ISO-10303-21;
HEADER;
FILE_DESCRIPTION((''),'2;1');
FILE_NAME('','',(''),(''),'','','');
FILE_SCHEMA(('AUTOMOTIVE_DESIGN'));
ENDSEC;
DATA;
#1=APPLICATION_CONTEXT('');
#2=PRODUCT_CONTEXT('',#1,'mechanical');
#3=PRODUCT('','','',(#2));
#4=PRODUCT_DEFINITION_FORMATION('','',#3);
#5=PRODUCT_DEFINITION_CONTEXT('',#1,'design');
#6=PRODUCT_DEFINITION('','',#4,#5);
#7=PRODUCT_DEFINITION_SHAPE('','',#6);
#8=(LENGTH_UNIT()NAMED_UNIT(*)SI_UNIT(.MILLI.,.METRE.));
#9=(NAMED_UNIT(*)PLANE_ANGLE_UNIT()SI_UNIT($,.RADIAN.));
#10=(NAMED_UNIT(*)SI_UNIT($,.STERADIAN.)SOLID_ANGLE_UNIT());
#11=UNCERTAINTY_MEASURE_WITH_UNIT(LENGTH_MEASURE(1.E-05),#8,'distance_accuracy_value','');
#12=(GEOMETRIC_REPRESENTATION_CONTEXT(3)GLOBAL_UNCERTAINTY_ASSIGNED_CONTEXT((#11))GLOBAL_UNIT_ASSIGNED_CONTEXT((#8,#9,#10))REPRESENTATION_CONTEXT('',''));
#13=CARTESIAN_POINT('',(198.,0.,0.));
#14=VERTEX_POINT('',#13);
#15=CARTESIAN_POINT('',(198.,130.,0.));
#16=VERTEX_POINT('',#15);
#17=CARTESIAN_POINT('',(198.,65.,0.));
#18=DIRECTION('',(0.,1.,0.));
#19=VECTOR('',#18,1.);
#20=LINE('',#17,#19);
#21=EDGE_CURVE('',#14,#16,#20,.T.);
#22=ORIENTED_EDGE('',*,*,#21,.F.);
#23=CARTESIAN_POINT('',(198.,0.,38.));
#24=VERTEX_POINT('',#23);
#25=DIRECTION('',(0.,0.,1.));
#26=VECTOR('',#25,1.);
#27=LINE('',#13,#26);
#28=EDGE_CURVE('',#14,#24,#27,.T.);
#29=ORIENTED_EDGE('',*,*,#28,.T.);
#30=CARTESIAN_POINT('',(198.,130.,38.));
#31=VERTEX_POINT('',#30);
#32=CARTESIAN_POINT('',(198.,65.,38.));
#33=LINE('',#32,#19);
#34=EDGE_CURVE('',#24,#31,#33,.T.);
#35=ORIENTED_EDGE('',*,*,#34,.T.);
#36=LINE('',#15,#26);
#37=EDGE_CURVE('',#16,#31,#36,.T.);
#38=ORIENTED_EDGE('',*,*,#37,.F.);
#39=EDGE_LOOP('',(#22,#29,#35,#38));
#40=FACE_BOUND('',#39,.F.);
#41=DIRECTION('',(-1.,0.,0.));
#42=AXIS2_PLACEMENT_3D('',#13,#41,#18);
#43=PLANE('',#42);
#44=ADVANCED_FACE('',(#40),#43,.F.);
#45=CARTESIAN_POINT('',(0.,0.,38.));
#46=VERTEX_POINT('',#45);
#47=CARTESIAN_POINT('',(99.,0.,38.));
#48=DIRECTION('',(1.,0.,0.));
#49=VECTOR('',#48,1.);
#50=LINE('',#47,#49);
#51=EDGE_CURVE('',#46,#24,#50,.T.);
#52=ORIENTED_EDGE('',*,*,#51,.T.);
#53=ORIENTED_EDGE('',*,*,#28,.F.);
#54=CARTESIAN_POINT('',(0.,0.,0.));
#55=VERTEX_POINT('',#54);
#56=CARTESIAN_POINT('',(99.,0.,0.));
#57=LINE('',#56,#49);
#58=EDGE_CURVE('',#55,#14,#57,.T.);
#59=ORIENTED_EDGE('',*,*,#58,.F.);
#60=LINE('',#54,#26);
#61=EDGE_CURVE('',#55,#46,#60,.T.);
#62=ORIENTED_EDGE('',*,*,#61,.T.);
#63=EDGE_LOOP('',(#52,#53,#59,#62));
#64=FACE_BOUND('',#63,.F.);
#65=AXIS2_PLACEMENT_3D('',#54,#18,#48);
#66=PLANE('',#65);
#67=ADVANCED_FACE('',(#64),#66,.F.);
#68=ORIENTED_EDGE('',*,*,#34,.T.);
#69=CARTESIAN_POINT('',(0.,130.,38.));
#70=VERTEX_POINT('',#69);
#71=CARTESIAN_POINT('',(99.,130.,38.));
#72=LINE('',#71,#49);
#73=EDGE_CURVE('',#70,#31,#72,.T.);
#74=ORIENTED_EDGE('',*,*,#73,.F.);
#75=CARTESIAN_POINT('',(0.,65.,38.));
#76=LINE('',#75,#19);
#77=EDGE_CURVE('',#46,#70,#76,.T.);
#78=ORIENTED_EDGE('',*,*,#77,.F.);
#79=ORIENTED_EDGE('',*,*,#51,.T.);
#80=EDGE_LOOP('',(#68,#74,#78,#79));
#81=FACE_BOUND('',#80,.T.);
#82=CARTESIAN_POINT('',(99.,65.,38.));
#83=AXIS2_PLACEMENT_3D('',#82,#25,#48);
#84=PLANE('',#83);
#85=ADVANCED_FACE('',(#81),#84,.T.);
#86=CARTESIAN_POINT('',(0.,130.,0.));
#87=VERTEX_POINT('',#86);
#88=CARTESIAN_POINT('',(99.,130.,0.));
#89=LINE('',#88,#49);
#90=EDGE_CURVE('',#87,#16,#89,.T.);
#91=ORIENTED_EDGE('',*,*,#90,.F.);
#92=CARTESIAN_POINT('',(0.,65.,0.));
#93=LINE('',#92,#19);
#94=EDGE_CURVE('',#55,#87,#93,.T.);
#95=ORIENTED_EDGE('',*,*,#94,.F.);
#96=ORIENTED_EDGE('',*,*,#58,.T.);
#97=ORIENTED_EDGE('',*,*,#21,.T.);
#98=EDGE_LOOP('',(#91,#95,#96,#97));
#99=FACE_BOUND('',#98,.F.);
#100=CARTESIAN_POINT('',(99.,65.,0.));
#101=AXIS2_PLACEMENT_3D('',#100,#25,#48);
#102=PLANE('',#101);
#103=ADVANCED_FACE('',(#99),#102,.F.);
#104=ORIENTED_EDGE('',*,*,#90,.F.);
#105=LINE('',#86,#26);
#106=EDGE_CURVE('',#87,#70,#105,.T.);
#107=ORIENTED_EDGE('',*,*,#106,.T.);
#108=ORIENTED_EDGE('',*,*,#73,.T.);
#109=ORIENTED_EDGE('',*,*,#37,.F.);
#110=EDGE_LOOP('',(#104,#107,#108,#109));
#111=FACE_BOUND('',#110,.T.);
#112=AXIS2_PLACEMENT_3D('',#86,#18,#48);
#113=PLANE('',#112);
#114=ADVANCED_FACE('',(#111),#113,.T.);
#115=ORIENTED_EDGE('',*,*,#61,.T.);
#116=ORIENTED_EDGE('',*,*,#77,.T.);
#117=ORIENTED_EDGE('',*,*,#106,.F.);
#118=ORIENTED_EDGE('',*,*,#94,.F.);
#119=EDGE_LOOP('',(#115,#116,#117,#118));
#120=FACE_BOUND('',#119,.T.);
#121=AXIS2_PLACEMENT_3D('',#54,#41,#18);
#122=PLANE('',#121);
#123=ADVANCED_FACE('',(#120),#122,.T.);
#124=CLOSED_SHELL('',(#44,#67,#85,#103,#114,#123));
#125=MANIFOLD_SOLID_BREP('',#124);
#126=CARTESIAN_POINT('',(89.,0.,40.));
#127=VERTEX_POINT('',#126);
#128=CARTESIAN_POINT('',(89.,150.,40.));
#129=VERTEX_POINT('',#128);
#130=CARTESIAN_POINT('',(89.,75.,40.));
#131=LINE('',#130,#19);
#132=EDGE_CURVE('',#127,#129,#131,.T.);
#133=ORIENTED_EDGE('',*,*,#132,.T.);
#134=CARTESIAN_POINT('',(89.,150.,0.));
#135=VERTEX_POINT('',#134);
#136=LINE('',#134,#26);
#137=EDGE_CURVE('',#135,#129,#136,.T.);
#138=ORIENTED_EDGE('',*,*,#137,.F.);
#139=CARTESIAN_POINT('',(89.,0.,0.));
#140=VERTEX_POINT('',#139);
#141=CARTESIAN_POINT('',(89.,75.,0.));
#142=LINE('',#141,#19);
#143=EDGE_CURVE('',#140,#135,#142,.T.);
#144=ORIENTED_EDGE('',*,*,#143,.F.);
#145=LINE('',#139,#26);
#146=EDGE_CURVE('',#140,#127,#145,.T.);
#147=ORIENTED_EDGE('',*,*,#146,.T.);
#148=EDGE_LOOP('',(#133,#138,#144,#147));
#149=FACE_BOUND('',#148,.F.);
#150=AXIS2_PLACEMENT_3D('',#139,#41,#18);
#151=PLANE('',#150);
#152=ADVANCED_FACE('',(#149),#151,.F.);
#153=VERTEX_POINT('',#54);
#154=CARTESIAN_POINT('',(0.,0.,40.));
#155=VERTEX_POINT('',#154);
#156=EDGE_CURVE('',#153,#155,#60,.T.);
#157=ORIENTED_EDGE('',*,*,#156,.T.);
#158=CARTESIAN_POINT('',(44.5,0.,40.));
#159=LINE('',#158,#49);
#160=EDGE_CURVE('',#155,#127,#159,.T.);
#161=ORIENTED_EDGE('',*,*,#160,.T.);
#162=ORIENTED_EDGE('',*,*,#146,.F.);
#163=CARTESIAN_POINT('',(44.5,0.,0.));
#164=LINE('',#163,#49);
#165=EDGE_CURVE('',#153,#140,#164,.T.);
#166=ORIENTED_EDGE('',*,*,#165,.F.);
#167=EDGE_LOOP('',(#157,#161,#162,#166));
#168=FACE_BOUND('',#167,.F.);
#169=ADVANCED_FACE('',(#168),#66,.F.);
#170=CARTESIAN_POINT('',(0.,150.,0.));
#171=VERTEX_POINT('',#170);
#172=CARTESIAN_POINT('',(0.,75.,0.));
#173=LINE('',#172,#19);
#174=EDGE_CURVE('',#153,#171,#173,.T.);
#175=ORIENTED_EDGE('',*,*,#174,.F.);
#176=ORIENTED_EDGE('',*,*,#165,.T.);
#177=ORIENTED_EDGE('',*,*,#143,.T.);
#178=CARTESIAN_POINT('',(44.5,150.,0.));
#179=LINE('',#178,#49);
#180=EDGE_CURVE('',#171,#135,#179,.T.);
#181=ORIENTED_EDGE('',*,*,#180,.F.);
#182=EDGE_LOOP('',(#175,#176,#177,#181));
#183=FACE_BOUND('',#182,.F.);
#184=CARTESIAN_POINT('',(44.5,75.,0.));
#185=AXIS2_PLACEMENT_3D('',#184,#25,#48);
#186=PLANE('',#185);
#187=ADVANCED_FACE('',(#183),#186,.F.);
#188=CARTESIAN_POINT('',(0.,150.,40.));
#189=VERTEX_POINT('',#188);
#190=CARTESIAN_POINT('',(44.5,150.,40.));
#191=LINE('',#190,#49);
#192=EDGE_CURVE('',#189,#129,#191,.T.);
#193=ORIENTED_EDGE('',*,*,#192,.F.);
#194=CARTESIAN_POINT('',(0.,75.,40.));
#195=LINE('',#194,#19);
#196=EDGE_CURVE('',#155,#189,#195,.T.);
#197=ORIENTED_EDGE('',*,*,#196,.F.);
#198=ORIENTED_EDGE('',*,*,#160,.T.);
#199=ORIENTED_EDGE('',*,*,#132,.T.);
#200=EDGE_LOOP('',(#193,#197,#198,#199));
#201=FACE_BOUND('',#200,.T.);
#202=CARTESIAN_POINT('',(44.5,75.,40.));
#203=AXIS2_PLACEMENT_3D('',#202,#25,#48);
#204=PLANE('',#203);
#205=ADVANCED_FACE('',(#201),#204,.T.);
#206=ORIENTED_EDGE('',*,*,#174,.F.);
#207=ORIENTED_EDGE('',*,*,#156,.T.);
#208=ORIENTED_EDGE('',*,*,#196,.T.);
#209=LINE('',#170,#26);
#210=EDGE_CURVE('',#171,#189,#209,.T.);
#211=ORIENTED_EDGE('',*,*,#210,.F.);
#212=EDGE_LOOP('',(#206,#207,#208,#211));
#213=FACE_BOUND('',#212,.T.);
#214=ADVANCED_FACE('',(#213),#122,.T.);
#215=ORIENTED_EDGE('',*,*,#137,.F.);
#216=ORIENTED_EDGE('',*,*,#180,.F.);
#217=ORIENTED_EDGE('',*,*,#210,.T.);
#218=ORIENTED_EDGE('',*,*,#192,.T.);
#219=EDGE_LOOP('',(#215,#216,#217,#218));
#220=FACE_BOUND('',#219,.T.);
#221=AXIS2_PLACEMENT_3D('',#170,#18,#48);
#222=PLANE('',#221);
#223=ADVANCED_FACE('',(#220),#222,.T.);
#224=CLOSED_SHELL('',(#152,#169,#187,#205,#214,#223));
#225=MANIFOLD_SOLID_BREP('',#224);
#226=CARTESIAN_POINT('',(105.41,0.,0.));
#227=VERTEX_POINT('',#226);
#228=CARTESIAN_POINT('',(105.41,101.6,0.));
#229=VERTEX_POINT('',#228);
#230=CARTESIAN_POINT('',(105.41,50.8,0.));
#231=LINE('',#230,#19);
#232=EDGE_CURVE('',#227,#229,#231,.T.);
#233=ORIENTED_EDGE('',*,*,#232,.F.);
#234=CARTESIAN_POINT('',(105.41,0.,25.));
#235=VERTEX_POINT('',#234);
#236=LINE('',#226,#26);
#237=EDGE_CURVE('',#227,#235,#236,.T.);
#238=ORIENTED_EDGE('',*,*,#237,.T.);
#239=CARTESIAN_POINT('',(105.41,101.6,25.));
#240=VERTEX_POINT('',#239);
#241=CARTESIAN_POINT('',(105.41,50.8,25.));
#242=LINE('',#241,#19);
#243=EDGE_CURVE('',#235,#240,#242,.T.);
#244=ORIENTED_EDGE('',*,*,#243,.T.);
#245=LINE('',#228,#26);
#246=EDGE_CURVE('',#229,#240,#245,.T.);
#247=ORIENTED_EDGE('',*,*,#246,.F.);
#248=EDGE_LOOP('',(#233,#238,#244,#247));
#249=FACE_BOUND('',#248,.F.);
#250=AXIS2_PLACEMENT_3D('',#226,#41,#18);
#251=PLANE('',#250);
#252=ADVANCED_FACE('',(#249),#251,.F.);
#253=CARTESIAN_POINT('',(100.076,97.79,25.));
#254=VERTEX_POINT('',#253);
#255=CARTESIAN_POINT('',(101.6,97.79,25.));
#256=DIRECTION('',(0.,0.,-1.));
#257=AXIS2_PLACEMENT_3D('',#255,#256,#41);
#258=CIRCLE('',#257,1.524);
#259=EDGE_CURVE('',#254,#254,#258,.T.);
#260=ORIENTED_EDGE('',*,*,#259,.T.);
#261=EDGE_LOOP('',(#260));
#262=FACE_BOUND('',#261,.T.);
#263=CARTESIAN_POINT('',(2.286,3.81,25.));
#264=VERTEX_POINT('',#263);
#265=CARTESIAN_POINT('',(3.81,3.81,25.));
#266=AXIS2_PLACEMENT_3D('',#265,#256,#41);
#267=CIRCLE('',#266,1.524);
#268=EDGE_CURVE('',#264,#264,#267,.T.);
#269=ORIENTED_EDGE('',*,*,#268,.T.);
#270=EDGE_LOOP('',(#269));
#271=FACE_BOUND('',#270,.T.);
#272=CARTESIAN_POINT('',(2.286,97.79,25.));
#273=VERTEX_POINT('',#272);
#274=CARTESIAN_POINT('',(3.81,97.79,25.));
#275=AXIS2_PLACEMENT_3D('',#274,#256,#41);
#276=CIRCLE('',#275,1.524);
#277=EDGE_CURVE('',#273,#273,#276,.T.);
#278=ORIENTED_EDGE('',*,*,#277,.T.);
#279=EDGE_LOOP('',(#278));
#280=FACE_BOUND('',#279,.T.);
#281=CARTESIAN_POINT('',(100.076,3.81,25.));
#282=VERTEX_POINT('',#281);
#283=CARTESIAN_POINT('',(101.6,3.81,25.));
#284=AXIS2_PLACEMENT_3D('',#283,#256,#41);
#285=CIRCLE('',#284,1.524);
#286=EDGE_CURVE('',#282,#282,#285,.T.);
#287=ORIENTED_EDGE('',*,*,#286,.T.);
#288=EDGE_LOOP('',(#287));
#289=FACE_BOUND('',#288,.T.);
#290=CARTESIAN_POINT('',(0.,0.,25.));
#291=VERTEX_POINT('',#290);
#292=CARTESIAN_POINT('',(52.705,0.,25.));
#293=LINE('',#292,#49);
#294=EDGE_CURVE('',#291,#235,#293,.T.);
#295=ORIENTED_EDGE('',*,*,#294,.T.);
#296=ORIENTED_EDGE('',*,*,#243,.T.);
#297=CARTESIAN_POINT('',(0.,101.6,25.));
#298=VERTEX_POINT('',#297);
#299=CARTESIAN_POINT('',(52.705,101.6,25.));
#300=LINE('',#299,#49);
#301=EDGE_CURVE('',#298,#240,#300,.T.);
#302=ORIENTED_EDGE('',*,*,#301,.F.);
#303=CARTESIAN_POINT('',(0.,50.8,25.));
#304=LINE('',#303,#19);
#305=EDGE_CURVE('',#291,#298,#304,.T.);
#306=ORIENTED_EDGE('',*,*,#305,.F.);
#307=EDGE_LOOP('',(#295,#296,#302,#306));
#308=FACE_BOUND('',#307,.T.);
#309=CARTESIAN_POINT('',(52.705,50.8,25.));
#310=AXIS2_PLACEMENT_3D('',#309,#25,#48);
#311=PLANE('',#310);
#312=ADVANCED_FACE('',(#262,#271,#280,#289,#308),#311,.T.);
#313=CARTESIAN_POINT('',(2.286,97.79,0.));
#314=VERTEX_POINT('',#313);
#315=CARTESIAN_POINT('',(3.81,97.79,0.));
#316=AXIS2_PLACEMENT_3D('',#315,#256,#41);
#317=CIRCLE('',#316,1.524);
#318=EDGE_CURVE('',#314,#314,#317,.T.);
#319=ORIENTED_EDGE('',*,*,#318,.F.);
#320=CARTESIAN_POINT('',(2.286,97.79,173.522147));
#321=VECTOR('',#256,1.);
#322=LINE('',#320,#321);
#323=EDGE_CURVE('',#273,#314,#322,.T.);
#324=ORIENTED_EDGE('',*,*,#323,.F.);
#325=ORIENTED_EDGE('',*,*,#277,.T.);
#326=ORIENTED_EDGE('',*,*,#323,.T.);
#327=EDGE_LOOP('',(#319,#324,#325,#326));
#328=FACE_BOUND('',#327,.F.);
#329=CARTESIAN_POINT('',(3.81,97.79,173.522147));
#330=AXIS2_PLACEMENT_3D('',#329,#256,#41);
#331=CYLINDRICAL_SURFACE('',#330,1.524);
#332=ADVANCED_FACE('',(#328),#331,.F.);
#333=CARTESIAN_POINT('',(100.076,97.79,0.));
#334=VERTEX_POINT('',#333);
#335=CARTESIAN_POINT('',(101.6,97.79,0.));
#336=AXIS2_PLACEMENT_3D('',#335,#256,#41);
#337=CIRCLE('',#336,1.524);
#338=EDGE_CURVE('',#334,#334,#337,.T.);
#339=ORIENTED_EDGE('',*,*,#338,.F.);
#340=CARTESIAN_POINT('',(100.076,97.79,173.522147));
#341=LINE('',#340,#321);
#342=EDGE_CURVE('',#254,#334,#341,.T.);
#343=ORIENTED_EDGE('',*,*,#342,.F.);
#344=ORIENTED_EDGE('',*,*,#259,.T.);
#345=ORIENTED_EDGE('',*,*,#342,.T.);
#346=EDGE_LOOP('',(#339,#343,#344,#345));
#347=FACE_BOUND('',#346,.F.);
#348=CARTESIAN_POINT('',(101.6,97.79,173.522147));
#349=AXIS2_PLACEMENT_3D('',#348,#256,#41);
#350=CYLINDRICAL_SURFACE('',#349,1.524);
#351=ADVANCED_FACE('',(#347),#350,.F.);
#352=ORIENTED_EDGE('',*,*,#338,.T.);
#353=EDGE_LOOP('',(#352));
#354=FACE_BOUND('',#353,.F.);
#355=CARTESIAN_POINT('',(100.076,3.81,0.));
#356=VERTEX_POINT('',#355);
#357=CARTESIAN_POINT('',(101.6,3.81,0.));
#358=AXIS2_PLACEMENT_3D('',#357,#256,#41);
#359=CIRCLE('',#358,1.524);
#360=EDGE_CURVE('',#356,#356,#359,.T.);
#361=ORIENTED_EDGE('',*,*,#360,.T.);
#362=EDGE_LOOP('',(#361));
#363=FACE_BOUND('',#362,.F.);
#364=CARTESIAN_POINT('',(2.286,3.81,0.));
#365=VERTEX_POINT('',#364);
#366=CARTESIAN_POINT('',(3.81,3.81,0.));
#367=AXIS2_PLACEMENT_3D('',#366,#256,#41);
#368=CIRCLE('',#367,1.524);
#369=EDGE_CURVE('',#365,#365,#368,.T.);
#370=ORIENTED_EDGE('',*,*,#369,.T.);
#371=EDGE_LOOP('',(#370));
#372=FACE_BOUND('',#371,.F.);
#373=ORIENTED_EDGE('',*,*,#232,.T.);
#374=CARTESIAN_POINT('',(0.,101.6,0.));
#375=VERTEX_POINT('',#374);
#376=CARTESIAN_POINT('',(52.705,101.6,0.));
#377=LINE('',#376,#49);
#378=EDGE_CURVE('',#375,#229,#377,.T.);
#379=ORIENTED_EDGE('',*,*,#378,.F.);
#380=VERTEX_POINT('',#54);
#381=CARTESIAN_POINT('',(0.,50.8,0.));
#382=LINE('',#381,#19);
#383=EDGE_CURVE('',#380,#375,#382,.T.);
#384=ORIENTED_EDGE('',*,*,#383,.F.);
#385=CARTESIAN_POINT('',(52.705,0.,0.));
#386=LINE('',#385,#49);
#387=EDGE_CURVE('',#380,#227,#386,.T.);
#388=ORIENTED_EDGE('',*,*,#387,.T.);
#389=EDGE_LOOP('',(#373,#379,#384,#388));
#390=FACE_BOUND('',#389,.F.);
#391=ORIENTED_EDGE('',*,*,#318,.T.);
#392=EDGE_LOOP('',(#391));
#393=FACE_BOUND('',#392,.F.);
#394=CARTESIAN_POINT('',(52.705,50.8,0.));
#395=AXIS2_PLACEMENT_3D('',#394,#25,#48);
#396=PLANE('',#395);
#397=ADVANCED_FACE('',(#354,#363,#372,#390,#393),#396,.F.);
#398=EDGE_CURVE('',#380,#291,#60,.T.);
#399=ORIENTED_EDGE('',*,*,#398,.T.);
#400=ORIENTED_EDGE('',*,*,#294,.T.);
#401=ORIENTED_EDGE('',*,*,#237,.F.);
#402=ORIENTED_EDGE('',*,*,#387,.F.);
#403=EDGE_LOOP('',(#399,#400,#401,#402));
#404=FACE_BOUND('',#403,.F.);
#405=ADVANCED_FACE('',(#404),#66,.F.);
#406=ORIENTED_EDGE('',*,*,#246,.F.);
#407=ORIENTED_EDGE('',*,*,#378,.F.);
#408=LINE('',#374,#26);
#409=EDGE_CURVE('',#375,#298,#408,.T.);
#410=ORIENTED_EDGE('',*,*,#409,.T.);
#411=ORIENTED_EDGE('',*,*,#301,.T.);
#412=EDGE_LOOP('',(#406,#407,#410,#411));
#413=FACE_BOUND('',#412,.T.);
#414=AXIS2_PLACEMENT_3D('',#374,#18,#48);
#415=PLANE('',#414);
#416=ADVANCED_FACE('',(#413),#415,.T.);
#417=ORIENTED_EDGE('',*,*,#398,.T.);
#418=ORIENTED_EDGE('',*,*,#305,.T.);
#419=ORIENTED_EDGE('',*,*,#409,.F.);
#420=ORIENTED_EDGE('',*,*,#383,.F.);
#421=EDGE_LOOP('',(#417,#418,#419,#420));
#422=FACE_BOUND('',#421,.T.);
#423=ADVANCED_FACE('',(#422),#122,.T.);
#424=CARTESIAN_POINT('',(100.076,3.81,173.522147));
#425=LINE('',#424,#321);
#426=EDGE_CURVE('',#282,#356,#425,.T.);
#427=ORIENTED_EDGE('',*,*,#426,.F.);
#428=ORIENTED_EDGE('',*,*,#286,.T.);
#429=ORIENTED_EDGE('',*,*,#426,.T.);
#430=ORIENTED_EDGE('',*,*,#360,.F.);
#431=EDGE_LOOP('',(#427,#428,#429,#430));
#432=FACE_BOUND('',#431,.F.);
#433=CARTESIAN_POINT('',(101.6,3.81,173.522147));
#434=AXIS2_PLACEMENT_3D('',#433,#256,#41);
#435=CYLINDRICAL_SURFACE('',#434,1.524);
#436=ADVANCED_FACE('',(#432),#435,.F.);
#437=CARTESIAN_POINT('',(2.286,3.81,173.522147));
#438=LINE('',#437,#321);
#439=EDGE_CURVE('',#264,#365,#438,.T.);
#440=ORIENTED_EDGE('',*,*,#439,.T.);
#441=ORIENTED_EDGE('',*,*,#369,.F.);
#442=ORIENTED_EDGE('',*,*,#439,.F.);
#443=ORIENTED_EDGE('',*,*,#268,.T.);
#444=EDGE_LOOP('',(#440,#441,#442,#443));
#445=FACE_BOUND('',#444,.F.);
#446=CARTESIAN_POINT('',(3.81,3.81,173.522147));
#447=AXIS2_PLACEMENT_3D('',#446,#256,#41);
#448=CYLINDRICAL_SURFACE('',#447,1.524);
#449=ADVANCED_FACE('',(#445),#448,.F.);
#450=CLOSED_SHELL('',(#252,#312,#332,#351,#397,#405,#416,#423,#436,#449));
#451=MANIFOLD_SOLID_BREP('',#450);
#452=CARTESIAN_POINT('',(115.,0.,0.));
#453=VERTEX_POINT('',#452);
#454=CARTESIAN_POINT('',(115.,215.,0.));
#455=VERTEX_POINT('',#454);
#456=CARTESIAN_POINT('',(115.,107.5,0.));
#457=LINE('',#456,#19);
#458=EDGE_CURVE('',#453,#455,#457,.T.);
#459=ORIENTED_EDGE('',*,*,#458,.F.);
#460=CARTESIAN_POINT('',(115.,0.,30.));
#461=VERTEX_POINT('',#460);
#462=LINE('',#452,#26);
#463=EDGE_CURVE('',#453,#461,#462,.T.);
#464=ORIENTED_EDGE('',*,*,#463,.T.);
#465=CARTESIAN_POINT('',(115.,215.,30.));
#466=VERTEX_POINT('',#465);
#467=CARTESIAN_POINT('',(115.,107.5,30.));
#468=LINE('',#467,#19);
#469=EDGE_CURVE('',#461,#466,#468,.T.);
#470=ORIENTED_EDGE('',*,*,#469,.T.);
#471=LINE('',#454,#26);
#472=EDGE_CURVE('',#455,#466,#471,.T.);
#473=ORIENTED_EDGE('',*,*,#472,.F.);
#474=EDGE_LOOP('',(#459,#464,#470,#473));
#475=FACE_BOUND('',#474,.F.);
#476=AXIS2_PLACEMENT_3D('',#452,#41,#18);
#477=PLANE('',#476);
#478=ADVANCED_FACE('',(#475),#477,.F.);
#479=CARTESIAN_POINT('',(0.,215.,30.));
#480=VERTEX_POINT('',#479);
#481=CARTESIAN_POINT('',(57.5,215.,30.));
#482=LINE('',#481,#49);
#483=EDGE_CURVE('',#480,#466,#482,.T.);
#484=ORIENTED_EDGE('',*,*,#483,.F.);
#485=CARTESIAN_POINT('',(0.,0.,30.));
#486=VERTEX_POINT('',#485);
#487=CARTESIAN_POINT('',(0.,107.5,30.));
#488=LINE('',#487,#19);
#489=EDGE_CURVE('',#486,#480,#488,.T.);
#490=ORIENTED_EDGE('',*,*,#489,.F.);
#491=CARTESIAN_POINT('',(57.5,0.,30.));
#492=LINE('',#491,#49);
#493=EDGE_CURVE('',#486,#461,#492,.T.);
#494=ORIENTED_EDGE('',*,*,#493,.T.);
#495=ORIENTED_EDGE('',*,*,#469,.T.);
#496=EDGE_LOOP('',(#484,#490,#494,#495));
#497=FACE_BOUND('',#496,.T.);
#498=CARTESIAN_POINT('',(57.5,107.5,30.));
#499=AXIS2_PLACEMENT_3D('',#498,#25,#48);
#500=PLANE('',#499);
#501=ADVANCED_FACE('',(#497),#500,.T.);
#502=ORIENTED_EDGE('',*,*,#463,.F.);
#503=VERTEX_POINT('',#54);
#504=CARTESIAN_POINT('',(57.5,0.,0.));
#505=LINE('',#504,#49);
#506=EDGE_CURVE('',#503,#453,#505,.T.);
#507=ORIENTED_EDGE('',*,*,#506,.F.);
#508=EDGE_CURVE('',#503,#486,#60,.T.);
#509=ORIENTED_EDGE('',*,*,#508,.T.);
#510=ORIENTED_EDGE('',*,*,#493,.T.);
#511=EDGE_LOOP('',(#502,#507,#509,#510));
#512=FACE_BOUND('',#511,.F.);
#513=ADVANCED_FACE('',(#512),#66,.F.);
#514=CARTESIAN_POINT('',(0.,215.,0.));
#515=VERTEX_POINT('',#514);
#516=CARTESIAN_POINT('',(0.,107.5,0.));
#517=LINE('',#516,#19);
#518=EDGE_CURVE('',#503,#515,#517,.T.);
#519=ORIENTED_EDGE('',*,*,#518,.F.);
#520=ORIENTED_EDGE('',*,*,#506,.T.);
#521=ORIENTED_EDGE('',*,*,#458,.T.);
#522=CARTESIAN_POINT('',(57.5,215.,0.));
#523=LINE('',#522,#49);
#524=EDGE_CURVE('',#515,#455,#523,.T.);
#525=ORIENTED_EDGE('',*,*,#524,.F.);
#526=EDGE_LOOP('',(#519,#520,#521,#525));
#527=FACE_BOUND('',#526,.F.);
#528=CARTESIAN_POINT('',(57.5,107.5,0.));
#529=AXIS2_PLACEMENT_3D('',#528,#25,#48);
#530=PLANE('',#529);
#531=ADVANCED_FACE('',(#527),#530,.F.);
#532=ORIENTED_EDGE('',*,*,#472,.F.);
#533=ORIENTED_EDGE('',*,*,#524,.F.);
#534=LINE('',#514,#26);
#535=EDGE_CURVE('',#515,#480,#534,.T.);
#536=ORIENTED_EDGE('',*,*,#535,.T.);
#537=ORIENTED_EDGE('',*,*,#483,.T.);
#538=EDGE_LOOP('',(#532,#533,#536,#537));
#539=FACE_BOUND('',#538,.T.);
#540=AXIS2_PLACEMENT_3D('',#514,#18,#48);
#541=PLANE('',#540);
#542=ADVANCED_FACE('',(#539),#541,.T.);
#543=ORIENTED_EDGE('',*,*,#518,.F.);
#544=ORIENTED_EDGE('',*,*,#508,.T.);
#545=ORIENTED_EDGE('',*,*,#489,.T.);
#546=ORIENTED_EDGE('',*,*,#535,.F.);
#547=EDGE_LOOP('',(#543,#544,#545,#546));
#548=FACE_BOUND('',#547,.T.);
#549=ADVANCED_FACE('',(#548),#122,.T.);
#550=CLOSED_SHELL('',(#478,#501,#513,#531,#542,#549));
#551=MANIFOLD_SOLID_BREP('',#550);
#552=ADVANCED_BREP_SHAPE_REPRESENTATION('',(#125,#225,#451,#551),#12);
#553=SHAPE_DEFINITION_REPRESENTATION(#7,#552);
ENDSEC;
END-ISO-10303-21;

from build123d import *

# Parameters (mm, degrees)
F0_W      = 105.41
F0_H      = 101.6
F1_DEPTH  = 25
F3_D      = 3.048
F4_D      = 3.048
F5_D      = 3.048
F6_D      = 3.048
F7_W      = 115
F7_H      = 215
F8_DEPTH  = 30
F9_W      = 198
F9_H      = 130
F10_DEPTH = 38
F11_W     = 89
F11_H     = 150
F12_DEPTH = 40


with BuildPart() as f1:
    # F0 (on Top) → F1 (new body)
    with BuildSketch(Plane.XY):
        with Locations((52.705, 50.8)):
            Rectangle(F0_W, F0_H)
    extrude(amount=F1_DEPTH)

    # F3 (through all)
    with Locations(Plane.XY.offset(25)):
        with Locations((3.81, 97.79)):
            Hole(F3_D / 2)

    # F4 (through all)
    with Locations(Plane.XY.offset(25)):
        with Locations((101.6, 97.79)):
            Hole(F4_D / 2)

    # F5 (through all)
    with Locations(Plane.XY.offset(25)):
        with Locations((3.81, 3.81)):
            Hole(F5_D / 2)

    # F6 (through all)
    with Locations(Plane.XY.offset(25)):
        with Locations((101.6, 3.81)):
            Hole(F6_D / 2)


with BuildPart() as f8:
    # F7 (on Top) → F8 (new body)
    with BuildSketch(Plane.XY):
        with Locations((57.5, 107.5)):
            Rectangle(F7_W, F7_H)
    extrude(amount=F8_DEPTH)


with BuildPart() as f10:
    # F9 (on Top) → F10 (new body)
    with BuildSketch(Plane.XY):
        with Locations((99, 65)):
            Rectangle(F9_W, F9_H)
    extrude(amount=F10_DEPTH)


with BuildPart() as f12:
    # F11 (on Top) → F12 (new body)
    with BuildSketch(Plane.XY):
        with Locations((44.5, 75)):
            Rectangle(F11_W, F11_H)
    extrude(amount=F12_DEPTH)


solid = Compound([f1.part, f8.part, f10.part, f12.part])
